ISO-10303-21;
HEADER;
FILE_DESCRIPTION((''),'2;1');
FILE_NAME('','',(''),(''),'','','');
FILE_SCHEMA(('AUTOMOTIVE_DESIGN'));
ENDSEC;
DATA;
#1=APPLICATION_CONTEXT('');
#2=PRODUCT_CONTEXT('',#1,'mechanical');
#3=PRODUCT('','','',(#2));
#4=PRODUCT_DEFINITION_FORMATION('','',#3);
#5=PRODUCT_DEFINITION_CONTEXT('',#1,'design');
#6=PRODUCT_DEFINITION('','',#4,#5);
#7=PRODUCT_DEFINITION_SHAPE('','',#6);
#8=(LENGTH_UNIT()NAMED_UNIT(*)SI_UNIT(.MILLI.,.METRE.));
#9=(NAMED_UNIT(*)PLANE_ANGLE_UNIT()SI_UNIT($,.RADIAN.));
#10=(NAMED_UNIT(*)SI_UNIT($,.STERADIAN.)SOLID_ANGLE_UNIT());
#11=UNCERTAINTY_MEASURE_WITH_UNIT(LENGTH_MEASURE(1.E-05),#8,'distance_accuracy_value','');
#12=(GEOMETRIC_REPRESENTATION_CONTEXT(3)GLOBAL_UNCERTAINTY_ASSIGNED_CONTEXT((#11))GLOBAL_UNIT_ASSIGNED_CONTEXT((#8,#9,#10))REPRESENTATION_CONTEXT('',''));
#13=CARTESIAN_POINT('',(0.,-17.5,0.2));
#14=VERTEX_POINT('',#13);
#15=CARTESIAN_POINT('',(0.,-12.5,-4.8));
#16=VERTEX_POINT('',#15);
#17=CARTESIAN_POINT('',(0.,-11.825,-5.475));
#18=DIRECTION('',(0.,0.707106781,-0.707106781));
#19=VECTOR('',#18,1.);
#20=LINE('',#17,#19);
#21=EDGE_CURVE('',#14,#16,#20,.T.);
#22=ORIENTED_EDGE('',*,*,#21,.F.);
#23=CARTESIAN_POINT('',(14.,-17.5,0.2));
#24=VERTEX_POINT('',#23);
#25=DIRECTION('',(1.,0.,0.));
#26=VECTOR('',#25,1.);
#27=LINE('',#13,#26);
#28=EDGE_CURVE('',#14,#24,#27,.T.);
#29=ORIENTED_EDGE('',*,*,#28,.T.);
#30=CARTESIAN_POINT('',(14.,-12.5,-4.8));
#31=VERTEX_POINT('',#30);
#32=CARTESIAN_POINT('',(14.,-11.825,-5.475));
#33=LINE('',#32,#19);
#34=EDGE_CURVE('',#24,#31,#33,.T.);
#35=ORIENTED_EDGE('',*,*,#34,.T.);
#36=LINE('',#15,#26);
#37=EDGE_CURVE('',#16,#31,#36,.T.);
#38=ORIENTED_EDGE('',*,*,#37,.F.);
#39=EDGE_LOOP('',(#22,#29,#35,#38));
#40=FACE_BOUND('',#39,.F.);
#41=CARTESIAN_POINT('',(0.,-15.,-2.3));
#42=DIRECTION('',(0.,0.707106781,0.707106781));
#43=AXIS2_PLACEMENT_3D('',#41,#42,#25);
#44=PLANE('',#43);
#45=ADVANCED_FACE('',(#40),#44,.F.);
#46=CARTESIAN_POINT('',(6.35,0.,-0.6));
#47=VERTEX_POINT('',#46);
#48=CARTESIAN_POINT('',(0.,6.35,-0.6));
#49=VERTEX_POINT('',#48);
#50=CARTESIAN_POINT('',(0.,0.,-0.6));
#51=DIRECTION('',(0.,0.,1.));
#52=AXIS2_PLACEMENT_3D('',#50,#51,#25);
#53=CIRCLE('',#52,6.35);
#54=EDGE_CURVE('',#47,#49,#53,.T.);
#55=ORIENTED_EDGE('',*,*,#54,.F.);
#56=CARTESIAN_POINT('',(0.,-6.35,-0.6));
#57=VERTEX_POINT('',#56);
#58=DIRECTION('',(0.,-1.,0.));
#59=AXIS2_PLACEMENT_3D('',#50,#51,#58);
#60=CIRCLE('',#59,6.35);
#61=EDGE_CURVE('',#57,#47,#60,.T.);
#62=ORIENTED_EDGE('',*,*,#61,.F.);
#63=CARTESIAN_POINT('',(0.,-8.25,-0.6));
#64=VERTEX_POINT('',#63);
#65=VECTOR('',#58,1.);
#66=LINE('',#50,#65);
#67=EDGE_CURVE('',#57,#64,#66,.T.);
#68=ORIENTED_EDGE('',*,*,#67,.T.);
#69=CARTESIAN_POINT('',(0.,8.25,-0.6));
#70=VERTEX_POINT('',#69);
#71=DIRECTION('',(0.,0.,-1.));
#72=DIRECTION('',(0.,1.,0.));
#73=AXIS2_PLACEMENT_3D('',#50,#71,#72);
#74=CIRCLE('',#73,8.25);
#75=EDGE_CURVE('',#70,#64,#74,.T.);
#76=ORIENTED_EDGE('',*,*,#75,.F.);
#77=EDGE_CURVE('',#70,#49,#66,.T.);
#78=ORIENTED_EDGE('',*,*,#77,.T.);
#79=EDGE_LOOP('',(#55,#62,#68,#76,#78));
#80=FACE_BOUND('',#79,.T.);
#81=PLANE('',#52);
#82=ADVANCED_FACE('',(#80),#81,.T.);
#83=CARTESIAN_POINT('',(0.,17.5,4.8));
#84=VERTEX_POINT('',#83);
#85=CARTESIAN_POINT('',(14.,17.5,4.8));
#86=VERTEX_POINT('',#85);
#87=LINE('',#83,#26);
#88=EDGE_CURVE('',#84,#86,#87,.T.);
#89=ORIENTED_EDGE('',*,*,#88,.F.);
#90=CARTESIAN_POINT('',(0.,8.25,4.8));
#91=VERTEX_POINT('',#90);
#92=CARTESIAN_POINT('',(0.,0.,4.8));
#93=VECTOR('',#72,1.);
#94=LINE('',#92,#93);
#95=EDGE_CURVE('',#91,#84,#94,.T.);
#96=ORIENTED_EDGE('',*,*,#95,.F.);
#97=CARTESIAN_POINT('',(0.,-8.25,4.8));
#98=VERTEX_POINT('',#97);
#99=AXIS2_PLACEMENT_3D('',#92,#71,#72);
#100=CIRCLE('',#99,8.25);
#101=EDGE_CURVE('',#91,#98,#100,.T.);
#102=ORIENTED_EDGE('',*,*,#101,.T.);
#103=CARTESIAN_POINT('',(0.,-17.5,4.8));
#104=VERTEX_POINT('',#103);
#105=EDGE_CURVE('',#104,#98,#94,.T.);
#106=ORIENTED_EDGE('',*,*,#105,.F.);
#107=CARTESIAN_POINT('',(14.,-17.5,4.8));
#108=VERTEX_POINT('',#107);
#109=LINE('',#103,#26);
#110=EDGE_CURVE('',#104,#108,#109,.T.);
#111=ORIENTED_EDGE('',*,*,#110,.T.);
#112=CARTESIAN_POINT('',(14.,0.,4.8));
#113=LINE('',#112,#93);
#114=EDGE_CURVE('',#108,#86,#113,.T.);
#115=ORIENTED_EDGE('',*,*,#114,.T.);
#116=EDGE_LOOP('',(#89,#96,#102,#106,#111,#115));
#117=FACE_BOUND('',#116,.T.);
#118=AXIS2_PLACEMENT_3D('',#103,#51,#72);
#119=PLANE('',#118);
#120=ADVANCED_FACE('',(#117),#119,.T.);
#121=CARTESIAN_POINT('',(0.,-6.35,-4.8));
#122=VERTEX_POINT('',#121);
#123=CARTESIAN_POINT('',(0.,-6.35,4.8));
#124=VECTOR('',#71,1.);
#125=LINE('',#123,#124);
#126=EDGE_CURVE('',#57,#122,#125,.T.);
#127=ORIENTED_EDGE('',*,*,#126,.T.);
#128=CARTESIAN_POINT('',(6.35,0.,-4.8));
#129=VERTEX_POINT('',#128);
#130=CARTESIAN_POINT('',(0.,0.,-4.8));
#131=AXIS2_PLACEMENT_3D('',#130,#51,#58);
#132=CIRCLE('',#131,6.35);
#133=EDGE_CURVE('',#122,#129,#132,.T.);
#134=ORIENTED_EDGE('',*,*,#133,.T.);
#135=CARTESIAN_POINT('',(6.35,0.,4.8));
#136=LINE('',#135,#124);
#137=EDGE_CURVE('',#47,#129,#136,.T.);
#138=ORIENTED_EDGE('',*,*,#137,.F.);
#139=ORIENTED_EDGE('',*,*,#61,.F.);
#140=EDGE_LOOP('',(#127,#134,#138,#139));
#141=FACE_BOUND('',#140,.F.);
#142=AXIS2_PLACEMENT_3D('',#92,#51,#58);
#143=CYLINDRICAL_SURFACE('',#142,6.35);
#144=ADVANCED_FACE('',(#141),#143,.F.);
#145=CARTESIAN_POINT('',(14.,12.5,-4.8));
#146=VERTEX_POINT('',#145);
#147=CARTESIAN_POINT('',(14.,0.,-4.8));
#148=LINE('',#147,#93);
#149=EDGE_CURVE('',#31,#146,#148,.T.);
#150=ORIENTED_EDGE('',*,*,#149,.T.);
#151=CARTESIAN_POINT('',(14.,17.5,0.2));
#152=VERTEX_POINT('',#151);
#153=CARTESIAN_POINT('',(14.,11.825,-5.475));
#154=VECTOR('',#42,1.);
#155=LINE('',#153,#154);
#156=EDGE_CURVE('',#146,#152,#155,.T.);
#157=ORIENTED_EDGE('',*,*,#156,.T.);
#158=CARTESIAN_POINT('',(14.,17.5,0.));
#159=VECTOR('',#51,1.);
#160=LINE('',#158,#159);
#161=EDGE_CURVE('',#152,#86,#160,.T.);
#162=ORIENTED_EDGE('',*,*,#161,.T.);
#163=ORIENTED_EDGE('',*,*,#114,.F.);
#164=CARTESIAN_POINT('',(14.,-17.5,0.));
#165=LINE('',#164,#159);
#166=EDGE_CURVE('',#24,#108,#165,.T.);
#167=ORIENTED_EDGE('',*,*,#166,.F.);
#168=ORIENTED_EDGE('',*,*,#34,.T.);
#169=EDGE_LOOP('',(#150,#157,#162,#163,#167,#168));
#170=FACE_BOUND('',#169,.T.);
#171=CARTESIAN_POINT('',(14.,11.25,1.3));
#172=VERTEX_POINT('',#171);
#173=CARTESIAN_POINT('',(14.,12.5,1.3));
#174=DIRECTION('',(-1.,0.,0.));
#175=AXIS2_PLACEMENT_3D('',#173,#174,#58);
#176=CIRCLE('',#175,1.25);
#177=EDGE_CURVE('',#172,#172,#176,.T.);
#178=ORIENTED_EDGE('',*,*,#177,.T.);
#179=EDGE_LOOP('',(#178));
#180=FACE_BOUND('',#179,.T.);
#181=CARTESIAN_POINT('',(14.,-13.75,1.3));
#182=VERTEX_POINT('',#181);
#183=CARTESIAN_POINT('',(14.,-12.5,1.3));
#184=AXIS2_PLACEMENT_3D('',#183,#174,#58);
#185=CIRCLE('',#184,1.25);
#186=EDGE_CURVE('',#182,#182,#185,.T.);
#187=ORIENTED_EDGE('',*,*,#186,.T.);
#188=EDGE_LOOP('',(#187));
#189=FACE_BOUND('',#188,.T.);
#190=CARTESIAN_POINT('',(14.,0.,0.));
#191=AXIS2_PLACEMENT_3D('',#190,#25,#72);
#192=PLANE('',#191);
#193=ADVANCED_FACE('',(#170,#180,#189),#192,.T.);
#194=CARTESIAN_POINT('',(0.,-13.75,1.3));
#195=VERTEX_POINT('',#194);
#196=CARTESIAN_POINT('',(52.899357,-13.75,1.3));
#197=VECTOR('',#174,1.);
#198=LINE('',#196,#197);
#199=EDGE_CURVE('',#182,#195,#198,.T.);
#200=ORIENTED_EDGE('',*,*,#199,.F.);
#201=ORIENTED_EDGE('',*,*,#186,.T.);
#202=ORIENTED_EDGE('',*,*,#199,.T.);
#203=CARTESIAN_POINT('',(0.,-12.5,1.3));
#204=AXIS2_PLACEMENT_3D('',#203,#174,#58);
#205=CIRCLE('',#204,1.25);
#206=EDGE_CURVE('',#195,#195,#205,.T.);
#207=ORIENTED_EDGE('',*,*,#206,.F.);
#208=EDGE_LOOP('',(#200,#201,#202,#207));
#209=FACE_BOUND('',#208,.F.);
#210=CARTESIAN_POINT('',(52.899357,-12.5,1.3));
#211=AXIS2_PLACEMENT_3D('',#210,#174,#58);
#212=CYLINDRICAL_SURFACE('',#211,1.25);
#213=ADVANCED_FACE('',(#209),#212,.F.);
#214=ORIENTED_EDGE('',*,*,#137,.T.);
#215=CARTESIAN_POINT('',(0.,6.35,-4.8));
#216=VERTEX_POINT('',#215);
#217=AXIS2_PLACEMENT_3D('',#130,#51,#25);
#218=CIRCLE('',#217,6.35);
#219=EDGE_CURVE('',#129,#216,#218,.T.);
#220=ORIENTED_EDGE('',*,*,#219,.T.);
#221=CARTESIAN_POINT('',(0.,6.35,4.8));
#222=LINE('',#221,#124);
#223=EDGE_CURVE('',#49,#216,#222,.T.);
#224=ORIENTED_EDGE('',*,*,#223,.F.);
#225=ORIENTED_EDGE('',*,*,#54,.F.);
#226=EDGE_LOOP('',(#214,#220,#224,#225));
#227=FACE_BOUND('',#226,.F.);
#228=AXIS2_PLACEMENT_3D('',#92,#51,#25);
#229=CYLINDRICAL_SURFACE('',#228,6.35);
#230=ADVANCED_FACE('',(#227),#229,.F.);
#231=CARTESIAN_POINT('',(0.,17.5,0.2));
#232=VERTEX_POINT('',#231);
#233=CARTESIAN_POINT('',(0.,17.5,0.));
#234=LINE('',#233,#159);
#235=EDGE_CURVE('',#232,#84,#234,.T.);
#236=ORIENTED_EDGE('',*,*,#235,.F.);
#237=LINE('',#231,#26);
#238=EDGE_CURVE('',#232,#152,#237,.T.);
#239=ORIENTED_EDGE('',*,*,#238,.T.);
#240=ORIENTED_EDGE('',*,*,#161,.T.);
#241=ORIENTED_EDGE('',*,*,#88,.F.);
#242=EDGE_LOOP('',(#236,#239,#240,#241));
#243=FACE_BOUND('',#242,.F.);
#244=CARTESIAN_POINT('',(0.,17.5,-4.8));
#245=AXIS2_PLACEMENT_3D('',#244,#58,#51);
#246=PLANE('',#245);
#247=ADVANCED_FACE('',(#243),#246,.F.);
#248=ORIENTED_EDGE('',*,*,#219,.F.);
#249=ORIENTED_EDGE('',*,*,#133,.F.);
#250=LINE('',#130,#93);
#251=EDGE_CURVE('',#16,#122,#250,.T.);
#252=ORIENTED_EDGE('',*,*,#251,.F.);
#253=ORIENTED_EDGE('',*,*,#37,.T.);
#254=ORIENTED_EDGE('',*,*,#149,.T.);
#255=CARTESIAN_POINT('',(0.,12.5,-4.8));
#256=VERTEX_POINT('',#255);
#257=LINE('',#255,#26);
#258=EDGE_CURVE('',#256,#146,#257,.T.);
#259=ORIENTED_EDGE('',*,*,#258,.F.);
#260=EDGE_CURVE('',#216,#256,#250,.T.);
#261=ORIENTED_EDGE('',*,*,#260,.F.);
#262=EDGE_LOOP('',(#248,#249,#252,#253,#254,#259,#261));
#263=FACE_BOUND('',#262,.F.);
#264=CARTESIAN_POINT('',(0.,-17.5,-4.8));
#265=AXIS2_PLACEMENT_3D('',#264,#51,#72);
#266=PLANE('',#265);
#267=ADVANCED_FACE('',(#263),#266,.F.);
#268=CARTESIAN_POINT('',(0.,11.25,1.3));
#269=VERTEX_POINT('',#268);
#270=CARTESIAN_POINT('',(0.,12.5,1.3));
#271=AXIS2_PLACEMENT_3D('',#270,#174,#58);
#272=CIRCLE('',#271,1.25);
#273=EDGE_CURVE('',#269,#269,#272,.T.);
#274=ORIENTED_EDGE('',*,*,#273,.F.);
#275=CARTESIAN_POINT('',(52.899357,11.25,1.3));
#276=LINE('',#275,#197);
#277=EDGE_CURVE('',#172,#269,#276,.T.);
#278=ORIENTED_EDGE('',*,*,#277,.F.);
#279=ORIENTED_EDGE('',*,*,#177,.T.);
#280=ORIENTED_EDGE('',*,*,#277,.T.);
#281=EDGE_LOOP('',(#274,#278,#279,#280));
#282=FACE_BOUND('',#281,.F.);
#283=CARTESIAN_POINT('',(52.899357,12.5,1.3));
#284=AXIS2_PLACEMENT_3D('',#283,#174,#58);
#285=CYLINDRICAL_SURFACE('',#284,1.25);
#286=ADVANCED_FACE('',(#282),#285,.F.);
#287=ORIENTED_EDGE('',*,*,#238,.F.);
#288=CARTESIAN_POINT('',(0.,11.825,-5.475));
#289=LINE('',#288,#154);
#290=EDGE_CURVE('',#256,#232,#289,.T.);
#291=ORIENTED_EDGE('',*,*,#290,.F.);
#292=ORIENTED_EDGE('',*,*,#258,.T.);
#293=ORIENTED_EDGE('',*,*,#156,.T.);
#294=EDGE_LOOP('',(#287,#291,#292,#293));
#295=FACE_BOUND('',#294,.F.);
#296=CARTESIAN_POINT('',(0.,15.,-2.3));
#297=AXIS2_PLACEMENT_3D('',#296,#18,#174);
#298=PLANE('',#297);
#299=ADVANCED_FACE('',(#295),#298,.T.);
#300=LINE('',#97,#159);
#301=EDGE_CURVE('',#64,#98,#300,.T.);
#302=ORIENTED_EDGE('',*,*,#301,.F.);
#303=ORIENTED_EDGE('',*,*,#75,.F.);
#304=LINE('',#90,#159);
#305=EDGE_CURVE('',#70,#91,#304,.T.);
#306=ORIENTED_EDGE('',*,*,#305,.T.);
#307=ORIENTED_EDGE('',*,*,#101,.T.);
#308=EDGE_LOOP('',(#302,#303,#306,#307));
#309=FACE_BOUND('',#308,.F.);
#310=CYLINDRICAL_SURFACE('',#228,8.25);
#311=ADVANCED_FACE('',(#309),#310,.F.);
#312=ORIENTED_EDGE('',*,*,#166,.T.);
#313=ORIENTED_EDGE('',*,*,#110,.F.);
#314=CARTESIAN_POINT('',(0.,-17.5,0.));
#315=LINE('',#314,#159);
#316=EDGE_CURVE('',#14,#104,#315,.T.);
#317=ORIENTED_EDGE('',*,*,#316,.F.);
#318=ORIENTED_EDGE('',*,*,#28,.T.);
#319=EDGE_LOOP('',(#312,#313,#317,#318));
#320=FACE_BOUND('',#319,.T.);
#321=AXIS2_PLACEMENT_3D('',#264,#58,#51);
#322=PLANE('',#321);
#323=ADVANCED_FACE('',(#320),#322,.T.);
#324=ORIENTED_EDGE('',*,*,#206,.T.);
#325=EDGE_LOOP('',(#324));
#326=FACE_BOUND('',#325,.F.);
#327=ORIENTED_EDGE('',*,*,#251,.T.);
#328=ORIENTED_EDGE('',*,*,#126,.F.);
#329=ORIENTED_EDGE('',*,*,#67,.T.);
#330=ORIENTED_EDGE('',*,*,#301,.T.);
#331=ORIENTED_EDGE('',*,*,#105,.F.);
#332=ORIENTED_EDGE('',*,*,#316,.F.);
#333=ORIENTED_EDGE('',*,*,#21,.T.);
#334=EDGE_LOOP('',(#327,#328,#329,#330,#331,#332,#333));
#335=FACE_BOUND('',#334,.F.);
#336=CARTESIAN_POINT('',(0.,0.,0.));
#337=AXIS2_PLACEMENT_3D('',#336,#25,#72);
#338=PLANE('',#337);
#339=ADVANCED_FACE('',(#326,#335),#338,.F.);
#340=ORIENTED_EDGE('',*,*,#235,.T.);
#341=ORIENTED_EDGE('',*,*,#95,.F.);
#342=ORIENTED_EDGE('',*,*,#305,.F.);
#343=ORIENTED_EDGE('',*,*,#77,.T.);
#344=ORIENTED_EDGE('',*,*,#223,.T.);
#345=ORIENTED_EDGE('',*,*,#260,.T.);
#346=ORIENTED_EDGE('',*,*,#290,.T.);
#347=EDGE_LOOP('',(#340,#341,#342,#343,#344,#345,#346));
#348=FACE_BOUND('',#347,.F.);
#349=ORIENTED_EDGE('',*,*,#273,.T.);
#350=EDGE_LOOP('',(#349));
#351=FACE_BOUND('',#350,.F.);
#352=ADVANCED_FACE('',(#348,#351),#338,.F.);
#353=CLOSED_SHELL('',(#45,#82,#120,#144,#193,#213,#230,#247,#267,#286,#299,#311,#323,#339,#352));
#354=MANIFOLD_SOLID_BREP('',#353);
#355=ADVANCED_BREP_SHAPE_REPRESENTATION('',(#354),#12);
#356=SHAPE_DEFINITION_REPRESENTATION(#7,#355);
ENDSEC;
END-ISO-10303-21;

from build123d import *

# Parameters (mm, degrees)
F0_W     = 35
F0_H     = 9.6
F1_DEPTH = 14
F2_R     = 8.25
F2_R_2   = 6.35
F3_DEPTH = 5.4
F4_DEPTH = 25
F5_SIZE  = 5
F7_D     = 2.5


with BuildPart() as f1:
    # F0 (on Right) → F1 (new body)
    with BuildSketch(Plane.YZ):
        Rectangle(F0_W, F0_H)
    extrude(amount=F1_DEPTH)

    # F2 (on face) → F3 (cut)
    with BuildSketch(Plane.XY.offset(4.8)):
        Circle(F2_R)
        Circle(F2_R_2, mode=Mode.SUBTRACT)
        with BuildLine():
            Line((0, -6.35), (0, 6.35))
            ThreePointArc((0, 6.35), (-6.35, 0), (0, -6.35))
        make_face()
        with BuildLine():
            ThreePointArc((0, -6.35), (4.4901280605, -4.4901280605), (6.35, 0))
            ThreePointArc((6.35, 0), (4.4901280605, 4.4901280605), (0, 6.35))
            Line((0, 6.35), (0, -6.35))
        make_face()
    extrude(amount=-F3_DEPTH, mode=Mode.SUBTRACT)

    # F2 (on face) → F4 (cut)
    with BuildSketch(Plane.XY.offset(4.8)):
        with BuildLine():
            ThreePointArc((0, -6.35), (4.4901280605, -4.4901280605), (6.35, 0))
            ThreePointArc((6.35, 0), (4.4901280605, 4.4901280605), (0, 6.35))
            Line((0, 6.35), (0, -6.35))
        make_face()
    extrude(amount=-F4_DEPTH, mode=Mode.SUBTRACT)

    # F5
    f5_edges = [f1.edges().sort_by_distance(p)[0] for p in [
        (7, 17.5, -4.8),
        (7, -17.5, -4.8),
    ]]
    chamfer(f5_edges, length=F5_SIZE)

    # F7 (through all)
    with Locations(Plane.YZ.offset(14)):
        with Locations((-12.5, 1.3), (12.5, 1.3)):
            Hole(F7_D / 2)


solid = f1.part
